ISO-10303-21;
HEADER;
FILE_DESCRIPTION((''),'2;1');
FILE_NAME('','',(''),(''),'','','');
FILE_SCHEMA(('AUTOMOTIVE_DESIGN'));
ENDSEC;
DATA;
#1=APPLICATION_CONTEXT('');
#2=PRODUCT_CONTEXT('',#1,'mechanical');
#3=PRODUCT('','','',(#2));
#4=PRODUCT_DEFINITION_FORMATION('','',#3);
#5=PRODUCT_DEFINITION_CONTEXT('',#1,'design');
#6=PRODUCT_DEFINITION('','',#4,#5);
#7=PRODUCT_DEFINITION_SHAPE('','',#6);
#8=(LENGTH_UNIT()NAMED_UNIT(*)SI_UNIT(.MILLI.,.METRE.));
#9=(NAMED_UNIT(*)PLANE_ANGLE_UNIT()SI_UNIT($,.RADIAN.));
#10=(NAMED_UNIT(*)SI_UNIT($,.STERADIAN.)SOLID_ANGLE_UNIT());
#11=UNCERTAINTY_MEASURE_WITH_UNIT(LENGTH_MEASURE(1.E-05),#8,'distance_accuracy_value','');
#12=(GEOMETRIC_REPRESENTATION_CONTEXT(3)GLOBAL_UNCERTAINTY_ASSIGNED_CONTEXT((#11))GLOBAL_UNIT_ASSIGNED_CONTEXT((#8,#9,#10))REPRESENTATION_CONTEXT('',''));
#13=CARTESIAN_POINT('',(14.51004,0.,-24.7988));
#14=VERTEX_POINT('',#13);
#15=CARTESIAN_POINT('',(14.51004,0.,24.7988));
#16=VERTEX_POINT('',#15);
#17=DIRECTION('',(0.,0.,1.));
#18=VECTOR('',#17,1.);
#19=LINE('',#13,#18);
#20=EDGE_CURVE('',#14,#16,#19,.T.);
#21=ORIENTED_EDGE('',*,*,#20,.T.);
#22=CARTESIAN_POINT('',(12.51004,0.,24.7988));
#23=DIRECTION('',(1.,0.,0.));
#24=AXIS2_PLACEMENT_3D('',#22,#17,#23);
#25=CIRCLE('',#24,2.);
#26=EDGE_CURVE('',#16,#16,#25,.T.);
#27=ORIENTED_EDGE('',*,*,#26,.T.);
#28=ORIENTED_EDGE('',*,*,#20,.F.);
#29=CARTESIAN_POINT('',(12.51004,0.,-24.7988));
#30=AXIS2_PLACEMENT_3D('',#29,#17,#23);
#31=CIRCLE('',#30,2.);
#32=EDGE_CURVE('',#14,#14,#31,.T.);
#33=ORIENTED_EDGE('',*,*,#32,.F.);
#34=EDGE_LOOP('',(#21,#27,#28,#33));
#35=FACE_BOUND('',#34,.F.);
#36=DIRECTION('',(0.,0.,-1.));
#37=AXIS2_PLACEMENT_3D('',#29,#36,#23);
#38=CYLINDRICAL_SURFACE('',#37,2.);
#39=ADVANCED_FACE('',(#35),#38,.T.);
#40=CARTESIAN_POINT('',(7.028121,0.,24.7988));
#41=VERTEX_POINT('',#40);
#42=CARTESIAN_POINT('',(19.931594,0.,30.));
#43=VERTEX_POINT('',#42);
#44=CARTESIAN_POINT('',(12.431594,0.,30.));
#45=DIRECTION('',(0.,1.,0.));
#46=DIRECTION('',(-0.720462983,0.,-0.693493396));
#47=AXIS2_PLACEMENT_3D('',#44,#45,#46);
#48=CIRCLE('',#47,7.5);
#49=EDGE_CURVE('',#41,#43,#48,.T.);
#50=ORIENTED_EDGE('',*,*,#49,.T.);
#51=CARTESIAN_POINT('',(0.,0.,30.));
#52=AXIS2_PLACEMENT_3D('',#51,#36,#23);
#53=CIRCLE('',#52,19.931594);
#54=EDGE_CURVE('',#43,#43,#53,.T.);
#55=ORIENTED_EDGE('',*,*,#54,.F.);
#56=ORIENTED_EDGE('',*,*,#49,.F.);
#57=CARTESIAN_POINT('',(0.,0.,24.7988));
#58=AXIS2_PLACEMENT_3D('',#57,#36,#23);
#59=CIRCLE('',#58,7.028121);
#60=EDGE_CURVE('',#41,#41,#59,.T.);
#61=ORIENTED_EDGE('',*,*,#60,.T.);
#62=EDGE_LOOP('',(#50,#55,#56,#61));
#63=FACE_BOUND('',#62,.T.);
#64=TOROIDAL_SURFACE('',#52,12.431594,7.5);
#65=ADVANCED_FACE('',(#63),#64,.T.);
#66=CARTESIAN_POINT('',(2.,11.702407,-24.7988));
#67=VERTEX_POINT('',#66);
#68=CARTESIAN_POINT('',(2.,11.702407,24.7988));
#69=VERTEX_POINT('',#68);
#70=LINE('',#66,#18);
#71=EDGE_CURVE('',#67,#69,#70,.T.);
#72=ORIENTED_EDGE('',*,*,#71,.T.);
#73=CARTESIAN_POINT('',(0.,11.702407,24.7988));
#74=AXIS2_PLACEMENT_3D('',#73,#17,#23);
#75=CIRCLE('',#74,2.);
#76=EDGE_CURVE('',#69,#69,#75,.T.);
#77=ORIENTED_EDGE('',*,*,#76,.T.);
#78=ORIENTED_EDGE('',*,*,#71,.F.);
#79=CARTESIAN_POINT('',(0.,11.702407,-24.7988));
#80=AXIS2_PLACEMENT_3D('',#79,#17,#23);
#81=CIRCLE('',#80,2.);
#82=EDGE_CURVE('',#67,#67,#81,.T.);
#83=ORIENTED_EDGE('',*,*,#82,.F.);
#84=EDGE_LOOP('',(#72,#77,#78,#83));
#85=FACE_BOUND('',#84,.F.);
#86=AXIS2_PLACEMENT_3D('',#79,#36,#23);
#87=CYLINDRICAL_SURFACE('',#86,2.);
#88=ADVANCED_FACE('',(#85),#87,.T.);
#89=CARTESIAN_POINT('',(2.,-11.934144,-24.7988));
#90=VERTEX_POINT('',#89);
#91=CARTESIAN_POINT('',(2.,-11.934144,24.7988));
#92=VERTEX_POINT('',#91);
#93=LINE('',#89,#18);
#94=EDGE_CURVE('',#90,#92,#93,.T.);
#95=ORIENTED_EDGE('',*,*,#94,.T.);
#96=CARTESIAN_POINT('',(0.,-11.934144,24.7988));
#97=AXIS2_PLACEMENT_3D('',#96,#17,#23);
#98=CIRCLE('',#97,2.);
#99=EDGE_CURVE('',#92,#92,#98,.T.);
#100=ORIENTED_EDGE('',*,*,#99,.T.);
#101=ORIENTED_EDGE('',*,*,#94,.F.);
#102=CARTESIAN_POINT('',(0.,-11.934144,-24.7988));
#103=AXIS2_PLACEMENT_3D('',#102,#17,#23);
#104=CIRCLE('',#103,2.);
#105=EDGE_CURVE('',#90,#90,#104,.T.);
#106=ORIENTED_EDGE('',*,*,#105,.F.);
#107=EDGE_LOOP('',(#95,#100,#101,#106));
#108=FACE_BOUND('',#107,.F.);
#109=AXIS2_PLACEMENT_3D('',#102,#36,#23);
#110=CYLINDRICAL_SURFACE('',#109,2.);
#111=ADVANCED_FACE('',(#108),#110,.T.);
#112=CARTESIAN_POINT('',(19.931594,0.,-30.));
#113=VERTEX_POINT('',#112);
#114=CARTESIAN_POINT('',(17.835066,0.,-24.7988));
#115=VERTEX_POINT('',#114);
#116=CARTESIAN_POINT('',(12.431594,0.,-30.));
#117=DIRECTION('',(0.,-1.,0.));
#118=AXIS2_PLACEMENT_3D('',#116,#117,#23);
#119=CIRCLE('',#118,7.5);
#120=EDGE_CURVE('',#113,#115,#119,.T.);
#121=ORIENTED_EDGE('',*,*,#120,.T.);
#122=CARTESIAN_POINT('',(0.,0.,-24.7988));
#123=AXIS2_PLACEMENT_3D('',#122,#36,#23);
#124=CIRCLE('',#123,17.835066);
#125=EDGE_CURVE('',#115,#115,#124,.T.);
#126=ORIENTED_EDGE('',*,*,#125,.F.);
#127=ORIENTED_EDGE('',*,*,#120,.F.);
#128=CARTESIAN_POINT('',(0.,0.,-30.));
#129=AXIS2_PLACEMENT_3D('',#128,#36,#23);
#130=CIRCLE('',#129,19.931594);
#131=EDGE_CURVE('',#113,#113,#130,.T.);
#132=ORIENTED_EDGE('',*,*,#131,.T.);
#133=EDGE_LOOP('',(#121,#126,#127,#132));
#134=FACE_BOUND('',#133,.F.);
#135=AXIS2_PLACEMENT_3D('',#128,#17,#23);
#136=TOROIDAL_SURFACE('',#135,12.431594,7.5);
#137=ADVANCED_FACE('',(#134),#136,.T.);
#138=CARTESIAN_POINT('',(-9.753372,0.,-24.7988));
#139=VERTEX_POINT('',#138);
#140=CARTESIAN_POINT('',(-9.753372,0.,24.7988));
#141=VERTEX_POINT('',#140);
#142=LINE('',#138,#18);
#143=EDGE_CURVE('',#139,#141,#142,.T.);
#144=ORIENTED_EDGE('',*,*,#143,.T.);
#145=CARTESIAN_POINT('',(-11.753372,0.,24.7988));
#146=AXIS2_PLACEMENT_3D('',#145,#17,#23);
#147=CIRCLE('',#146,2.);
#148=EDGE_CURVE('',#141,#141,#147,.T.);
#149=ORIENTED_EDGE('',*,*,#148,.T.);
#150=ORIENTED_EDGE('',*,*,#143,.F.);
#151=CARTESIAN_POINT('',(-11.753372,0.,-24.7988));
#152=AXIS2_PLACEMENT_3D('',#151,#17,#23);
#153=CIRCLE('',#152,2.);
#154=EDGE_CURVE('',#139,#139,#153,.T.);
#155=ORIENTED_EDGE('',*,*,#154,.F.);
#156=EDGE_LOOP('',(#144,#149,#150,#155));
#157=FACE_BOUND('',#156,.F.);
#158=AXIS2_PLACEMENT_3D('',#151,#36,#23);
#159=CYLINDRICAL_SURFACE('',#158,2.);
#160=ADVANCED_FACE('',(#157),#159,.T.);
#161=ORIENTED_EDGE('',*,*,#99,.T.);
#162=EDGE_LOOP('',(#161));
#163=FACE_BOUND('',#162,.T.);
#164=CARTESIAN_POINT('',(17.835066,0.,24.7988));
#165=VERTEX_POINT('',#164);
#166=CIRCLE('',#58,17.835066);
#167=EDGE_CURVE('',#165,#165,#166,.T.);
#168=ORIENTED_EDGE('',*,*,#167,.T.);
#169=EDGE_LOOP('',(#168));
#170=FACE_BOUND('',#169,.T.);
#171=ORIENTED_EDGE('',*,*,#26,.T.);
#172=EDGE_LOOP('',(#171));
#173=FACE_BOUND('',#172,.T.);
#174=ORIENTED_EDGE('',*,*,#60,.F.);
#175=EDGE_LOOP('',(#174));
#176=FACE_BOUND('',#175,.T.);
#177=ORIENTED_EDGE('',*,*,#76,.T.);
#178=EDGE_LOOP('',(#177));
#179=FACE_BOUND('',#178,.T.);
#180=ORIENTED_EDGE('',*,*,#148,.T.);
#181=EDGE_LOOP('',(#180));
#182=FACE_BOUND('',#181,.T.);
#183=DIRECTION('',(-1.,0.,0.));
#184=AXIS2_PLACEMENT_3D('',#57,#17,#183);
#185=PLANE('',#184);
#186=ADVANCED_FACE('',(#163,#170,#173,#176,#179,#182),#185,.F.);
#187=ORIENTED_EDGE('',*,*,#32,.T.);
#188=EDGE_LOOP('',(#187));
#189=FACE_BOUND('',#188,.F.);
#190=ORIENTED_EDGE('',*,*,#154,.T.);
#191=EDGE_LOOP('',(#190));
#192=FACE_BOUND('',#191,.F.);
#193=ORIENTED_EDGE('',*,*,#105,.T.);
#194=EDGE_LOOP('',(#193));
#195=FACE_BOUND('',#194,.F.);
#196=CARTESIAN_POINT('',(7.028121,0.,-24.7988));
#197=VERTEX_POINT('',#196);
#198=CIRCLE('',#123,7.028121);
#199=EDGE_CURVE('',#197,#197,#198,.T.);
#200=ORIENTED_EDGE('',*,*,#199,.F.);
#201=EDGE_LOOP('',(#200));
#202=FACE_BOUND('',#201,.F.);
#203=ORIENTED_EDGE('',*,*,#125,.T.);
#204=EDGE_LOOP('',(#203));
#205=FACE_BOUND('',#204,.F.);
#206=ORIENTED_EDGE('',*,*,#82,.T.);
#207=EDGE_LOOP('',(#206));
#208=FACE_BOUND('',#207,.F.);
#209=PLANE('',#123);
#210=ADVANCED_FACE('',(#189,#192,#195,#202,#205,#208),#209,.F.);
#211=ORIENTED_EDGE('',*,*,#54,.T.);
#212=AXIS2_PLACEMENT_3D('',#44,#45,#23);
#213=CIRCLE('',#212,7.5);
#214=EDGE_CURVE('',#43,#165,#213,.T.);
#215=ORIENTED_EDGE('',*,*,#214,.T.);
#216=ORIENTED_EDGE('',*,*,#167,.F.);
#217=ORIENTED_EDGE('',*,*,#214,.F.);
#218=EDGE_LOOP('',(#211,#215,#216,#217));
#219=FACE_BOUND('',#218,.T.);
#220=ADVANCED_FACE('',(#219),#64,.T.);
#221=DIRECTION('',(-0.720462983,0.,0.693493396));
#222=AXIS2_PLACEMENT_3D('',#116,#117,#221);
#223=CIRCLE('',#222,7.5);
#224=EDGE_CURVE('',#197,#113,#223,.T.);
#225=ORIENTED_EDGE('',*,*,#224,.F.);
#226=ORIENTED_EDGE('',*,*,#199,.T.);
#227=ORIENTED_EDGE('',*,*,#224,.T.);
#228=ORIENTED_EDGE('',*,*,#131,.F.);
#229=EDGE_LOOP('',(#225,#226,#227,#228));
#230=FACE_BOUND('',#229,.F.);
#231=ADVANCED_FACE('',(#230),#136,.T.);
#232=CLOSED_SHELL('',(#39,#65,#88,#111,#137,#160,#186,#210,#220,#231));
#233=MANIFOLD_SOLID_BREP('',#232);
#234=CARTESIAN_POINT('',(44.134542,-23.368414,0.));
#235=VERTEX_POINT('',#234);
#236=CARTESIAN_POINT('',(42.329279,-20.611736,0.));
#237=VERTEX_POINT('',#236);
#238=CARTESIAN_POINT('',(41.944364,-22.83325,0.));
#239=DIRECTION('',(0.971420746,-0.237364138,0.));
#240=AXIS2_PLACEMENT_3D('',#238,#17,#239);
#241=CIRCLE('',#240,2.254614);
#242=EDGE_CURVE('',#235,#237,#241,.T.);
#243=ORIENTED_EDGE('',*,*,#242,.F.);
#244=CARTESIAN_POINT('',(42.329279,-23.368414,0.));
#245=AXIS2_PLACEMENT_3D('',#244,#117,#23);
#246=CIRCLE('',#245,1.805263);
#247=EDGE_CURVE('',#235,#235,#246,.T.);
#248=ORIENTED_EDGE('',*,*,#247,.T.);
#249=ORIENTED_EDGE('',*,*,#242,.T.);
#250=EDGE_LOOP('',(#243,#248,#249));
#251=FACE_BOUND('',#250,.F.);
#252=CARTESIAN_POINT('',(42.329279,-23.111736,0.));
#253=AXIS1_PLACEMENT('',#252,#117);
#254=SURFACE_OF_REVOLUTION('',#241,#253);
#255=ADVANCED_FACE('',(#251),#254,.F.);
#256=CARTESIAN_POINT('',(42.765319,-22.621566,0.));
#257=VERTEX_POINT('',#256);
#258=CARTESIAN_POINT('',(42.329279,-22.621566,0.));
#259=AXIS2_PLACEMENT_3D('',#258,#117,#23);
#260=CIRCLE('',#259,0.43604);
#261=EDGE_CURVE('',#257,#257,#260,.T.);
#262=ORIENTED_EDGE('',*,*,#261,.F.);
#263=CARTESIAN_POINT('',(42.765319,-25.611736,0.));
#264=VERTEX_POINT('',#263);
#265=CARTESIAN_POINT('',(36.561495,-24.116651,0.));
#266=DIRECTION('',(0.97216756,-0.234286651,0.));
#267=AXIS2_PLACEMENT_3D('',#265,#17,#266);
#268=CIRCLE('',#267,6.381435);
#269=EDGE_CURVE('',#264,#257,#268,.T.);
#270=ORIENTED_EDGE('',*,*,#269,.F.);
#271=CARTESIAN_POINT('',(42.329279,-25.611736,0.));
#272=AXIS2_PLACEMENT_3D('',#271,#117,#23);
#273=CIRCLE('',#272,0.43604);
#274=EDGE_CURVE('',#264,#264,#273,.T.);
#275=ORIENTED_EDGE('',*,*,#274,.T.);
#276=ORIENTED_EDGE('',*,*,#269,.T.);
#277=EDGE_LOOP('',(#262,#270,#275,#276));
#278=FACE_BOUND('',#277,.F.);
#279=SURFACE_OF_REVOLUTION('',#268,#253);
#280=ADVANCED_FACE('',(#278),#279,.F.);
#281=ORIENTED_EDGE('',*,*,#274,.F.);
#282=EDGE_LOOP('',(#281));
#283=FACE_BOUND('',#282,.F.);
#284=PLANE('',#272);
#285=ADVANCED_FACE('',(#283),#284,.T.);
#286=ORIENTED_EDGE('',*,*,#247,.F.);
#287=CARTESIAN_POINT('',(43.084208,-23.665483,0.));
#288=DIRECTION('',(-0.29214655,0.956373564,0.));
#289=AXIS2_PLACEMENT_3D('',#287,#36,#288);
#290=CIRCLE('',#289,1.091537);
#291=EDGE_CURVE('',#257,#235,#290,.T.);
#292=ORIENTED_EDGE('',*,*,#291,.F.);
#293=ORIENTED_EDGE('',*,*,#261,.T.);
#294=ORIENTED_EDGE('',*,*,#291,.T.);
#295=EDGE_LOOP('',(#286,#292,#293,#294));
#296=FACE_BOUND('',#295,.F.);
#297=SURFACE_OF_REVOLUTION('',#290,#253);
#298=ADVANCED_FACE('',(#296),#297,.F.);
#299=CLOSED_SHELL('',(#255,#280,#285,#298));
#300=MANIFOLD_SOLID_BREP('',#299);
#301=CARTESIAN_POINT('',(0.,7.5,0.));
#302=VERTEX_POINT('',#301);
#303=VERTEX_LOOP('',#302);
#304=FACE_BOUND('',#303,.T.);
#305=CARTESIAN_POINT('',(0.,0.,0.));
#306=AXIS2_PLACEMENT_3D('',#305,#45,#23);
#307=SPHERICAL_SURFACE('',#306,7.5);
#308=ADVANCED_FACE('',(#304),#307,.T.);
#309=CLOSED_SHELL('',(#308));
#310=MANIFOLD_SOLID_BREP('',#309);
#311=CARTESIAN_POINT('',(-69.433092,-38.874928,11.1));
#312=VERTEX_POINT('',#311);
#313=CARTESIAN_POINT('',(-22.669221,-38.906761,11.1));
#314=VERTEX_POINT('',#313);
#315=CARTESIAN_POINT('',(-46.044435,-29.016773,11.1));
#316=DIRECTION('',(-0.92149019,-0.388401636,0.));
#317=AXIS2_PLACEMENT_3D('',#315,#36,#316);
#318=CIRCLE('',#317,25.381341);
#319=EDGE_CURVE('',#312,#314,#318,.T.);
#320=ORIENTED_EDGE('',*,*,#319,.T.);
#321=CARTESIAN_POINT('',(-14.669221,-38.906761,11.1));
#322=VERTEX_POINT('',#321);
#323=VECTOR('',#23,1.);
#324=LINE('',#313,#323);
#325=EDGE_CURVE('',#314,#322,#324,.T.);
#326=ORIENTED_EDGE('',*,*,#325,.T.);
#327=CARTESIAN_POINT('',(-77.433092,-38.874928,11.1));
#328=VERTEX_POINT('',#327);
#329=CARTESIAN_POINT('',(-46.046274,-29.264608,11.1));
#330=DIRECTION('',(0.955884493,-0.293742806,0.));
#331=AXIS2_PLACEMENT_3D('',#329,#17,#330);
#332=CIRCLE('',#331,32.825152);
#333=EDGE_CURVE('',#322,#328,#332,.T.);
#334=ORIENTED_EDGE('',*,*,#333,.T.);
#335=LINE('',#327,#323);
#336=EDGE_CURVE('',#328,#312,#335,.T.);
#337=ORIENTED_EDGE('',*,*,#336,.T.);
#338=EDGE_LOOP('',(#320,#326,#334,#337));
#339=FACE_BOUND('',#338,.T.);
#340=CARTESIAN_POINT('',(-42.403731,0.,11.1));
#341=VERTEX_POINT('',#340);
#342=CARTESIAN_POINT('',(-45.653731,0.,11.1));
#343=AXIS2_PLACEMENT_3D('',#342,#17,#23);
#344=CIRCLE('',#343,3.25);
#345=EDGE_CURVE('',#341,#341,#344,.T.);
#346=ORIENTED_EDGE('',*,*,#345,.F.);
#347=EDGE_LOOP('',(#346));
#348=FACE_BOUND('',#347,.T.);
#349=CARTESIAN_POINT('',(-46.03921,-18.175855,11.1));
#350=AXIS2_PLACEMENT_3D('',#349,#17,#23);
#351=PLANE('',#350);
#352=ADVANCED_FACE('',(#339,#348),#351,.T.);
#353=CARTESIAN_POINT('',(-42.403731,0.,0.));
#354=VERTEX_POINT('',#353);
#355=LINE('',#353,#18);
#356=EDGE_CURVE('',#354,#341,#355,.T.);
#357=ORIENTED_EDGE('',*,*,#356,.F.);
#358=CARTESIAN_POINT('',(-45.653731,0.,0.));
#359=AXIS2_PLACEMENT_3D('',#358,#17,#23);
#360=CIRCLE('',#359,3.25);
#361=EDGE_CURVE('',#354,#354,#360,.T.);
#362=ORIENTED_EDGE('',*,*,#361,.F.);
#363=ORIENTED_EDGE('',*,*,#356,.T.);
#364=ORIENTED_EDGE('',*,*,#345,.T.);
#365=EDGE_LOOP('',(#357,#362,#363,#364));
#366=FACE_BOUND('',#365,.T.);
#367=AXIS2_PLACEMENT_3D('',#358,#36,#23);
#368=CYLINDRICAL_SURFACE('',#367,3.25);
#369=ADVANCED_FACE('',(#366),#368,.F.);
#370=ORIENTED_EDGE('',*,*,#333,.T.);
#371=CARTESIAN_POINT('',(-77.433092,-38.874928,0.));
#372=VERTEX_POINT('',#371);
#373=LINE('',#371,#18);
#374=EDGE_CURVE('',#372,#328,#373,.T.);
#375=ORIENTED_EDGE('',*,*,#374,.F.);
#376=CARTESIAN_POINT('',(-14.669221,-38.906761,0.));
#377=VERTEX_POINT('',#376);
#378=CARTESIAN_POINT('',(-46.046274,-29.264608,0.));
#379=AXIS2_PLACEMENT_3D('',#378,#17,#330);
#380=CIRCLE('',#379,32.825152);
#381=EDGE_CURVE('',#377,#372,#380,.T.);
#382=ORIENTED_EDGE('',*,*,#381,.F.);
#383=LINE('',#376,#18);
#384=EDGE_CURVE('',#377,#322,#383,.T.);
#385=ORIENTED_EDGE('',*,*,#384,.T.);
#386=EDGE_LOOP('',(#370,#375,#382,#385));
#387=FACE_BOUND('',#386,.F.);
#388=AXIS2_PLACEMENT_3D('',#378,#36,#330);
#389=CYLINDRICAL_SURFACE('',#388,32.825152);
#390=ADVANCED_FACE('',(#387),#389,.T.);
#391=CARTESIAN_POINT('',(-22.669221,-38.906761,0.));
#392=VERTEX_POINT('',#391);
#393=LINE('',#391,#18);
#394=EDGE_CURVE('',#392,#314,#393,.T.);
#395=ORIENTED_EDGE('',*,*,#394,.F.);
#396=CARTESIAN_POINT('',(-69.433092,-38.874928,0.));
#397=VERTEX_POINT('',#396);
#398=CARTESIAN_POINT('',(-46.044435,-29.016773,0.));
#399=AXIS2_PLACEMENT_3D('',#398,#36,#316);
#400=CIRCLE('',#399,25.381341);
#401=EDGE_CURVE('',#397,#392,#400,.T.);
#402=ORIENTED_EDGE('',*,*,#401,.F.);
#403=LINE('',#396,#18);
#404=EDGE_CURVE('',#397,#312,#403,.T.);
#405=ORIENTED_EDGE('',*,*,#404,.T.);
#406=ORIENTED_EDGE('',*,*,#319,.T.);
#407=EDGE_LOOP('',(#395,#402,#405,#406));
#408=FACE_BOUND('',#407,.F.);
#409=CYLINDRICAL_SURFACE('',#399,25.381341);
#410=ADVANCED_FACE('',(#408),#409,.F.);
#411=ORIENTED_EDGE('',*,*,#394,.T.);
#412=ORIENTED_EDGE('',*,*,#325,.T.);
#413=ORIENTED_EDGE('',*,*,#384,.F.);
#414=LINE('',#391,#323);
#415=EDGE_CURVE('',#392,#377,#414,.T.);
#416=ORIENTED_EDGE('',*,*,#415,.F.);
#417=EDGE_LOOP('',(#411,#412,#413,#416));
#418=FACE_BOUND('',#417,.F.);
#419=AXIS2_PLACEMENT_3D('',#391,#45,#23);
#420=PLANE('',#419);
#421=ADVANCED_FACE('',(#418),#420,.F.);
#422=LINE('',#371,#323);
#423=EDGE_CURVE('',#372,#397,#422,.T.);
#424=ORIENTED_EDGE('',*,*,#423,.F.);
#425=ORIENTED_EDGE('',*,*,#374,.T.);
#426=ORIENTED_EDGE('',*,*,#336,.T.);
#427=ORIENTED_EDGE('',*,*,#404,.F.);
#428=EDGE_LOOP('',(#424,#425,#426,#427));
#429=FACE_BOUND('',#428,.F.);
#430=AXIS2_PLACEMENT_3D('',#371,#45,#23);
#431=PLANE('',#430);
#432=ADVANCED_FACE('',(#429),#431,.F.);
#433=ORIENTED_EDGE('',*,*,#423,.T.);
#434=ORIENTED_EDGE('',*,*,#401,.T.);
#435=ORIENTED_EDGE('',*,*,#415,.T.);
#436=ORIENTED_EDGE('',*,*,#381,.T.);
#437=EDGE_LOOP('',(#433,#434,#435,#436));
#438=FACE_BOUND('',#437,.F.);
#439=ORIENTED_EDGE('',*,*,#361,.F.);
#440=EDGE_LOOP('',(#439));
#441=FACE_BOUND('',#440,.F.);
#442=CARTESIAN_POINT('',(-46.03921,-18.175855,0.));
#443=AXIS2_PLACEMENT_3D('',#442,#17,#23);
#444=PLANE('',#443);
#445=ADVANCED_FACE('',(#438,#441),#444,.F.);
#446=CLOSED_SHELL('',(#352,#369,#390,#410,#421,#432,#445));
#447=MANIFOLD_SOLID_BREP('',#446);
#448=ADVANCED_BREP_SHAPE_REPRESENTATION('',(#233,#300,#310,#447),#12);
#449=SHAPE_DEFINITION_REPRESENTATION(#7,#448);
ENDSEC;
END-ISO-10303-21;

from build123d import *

# Parameters (mm, degrees)
F3_R          = 2
F4_DEPTH      = 49.5975990656
F4_DEPTH_BACK = 0.5
F7_R          = 3.25
F8_DEPTH      = 11.1


with BuildPart() as f1:
    # F0 (on Front) → F1 (revolve)
    with BuildSketch(Plane.XZ):
        with BuildLine():
            ThreePointArc((7.0281212394, -24.7987995328), (9.6276716111, -36.956149898), (19.9315936137, -30))
            ThreePointArc((19.9315936137, -30), (19.3877435117, -27.1960779975), (17.835065988, -24.7987995328))
            Line((17.835065988, -24.7987995328), (7.0281212394, -24.7987995328))
        make_face()
    revolve(axis=Axis((0, 0, -16.2828955799), (0, 0, -1)))


with BuildPart() as f2_1:
    # F2: instance of F1
    add(f1.part.mirror(Plane.XY))


with BuildPart() as f1_1:
    add(f1.part)

    add(f2_1.part)  # F4 merges F2_1
    # F3 (on face) → F4 (join, two sides)
    with BuildSketch(Plane.XY.offset(-24.7987995328)) as f4_sk:
        with Locations((0, 11.7024071515)):
            Circle(F3_R)
        with Locations((12.5100398436, 0)):
            Circle(F3_R)
        with Locations((0, -11.9341444224)):
            Circle(F3_R)
        with Locations((-11.7533719167, 0)):
            Circle(F3_R)
    extrude(amount=F4_DEPTH)
    extrude(f4_sk.sketch, amount=-F4_DEPTH_BACK)


with BuildPart() as f6:
    # F5 (on Top) → F6 (revolve)
    with BuildSketch(Plane.XY):
        with BuildLine():
            Line((0, 7.5), (0, -7.5))
            ThreePointArc((0, -7.5), (7.5, 0), (0, 7.5))
        make_face()
    revolve(axis=Axis((0, 0, 0), (0, 1, 0)))


with BuildPart() as f8:
    # F7 (on Top) → F8 (new body)
    with BuildSketch(Plane.XY):
        with BuildLine():
            Line((-22.6692205305, -38.9067605138), (-14.6692205305, -38.9067605138))
            ThreePointArc((-14.6692205305, -38.9067605138), (-46.0296256033, 3.5605389326), (-77.4330916522, -38.8749279403))
            Line((-77.4330916522, -38.8749279403), (-69.4330916522, -38.8749279403))
            ThreePointArc((-69.4330916522, -38.8749279403), (-46.02715743, -3.6354381615), (-22.6692205305, -38.9067605138))
        make_face()
        with Locations((-45.6537306309, 0)):
            Circle(F7_R, mode=Mode.SUBTRACT)
    extrude(amount=F8_DEPTH)


with BuildPart() as f10:
    # F9 (on Top) → F10 (revolve)
    with BuildSketch(Plane.XY):
        with BuildLine():
            ThreePointArc((44.134542346, -23.3684144914), (43.8305228667, -21.598063027), (42.329279402, -20.6117364019))
            Line((42.329279402, -20.6117364019), (42.329279402, -25.6117364019))
            Line((42.329279402, -25.6117364019), (42.7653193474, -25.6117364019))
            ThreePointArc((42.7653193474, -25.6117364019), (42.9429302471, -24.1166514158), (42.7653193474, -22.6215664297))
            ThreePointArc((42.7653193474, -22.6215664297), (43.606892133, -22.7072277762), (44.134542346, -23.3684144914))
        make_face()
    revolve(axis=Axis((42.329279402, -23.1117364019, 0), (0, -1, 0)))


solid = Compound([f1_1.part, f6.part, f8.part, f10.part])
